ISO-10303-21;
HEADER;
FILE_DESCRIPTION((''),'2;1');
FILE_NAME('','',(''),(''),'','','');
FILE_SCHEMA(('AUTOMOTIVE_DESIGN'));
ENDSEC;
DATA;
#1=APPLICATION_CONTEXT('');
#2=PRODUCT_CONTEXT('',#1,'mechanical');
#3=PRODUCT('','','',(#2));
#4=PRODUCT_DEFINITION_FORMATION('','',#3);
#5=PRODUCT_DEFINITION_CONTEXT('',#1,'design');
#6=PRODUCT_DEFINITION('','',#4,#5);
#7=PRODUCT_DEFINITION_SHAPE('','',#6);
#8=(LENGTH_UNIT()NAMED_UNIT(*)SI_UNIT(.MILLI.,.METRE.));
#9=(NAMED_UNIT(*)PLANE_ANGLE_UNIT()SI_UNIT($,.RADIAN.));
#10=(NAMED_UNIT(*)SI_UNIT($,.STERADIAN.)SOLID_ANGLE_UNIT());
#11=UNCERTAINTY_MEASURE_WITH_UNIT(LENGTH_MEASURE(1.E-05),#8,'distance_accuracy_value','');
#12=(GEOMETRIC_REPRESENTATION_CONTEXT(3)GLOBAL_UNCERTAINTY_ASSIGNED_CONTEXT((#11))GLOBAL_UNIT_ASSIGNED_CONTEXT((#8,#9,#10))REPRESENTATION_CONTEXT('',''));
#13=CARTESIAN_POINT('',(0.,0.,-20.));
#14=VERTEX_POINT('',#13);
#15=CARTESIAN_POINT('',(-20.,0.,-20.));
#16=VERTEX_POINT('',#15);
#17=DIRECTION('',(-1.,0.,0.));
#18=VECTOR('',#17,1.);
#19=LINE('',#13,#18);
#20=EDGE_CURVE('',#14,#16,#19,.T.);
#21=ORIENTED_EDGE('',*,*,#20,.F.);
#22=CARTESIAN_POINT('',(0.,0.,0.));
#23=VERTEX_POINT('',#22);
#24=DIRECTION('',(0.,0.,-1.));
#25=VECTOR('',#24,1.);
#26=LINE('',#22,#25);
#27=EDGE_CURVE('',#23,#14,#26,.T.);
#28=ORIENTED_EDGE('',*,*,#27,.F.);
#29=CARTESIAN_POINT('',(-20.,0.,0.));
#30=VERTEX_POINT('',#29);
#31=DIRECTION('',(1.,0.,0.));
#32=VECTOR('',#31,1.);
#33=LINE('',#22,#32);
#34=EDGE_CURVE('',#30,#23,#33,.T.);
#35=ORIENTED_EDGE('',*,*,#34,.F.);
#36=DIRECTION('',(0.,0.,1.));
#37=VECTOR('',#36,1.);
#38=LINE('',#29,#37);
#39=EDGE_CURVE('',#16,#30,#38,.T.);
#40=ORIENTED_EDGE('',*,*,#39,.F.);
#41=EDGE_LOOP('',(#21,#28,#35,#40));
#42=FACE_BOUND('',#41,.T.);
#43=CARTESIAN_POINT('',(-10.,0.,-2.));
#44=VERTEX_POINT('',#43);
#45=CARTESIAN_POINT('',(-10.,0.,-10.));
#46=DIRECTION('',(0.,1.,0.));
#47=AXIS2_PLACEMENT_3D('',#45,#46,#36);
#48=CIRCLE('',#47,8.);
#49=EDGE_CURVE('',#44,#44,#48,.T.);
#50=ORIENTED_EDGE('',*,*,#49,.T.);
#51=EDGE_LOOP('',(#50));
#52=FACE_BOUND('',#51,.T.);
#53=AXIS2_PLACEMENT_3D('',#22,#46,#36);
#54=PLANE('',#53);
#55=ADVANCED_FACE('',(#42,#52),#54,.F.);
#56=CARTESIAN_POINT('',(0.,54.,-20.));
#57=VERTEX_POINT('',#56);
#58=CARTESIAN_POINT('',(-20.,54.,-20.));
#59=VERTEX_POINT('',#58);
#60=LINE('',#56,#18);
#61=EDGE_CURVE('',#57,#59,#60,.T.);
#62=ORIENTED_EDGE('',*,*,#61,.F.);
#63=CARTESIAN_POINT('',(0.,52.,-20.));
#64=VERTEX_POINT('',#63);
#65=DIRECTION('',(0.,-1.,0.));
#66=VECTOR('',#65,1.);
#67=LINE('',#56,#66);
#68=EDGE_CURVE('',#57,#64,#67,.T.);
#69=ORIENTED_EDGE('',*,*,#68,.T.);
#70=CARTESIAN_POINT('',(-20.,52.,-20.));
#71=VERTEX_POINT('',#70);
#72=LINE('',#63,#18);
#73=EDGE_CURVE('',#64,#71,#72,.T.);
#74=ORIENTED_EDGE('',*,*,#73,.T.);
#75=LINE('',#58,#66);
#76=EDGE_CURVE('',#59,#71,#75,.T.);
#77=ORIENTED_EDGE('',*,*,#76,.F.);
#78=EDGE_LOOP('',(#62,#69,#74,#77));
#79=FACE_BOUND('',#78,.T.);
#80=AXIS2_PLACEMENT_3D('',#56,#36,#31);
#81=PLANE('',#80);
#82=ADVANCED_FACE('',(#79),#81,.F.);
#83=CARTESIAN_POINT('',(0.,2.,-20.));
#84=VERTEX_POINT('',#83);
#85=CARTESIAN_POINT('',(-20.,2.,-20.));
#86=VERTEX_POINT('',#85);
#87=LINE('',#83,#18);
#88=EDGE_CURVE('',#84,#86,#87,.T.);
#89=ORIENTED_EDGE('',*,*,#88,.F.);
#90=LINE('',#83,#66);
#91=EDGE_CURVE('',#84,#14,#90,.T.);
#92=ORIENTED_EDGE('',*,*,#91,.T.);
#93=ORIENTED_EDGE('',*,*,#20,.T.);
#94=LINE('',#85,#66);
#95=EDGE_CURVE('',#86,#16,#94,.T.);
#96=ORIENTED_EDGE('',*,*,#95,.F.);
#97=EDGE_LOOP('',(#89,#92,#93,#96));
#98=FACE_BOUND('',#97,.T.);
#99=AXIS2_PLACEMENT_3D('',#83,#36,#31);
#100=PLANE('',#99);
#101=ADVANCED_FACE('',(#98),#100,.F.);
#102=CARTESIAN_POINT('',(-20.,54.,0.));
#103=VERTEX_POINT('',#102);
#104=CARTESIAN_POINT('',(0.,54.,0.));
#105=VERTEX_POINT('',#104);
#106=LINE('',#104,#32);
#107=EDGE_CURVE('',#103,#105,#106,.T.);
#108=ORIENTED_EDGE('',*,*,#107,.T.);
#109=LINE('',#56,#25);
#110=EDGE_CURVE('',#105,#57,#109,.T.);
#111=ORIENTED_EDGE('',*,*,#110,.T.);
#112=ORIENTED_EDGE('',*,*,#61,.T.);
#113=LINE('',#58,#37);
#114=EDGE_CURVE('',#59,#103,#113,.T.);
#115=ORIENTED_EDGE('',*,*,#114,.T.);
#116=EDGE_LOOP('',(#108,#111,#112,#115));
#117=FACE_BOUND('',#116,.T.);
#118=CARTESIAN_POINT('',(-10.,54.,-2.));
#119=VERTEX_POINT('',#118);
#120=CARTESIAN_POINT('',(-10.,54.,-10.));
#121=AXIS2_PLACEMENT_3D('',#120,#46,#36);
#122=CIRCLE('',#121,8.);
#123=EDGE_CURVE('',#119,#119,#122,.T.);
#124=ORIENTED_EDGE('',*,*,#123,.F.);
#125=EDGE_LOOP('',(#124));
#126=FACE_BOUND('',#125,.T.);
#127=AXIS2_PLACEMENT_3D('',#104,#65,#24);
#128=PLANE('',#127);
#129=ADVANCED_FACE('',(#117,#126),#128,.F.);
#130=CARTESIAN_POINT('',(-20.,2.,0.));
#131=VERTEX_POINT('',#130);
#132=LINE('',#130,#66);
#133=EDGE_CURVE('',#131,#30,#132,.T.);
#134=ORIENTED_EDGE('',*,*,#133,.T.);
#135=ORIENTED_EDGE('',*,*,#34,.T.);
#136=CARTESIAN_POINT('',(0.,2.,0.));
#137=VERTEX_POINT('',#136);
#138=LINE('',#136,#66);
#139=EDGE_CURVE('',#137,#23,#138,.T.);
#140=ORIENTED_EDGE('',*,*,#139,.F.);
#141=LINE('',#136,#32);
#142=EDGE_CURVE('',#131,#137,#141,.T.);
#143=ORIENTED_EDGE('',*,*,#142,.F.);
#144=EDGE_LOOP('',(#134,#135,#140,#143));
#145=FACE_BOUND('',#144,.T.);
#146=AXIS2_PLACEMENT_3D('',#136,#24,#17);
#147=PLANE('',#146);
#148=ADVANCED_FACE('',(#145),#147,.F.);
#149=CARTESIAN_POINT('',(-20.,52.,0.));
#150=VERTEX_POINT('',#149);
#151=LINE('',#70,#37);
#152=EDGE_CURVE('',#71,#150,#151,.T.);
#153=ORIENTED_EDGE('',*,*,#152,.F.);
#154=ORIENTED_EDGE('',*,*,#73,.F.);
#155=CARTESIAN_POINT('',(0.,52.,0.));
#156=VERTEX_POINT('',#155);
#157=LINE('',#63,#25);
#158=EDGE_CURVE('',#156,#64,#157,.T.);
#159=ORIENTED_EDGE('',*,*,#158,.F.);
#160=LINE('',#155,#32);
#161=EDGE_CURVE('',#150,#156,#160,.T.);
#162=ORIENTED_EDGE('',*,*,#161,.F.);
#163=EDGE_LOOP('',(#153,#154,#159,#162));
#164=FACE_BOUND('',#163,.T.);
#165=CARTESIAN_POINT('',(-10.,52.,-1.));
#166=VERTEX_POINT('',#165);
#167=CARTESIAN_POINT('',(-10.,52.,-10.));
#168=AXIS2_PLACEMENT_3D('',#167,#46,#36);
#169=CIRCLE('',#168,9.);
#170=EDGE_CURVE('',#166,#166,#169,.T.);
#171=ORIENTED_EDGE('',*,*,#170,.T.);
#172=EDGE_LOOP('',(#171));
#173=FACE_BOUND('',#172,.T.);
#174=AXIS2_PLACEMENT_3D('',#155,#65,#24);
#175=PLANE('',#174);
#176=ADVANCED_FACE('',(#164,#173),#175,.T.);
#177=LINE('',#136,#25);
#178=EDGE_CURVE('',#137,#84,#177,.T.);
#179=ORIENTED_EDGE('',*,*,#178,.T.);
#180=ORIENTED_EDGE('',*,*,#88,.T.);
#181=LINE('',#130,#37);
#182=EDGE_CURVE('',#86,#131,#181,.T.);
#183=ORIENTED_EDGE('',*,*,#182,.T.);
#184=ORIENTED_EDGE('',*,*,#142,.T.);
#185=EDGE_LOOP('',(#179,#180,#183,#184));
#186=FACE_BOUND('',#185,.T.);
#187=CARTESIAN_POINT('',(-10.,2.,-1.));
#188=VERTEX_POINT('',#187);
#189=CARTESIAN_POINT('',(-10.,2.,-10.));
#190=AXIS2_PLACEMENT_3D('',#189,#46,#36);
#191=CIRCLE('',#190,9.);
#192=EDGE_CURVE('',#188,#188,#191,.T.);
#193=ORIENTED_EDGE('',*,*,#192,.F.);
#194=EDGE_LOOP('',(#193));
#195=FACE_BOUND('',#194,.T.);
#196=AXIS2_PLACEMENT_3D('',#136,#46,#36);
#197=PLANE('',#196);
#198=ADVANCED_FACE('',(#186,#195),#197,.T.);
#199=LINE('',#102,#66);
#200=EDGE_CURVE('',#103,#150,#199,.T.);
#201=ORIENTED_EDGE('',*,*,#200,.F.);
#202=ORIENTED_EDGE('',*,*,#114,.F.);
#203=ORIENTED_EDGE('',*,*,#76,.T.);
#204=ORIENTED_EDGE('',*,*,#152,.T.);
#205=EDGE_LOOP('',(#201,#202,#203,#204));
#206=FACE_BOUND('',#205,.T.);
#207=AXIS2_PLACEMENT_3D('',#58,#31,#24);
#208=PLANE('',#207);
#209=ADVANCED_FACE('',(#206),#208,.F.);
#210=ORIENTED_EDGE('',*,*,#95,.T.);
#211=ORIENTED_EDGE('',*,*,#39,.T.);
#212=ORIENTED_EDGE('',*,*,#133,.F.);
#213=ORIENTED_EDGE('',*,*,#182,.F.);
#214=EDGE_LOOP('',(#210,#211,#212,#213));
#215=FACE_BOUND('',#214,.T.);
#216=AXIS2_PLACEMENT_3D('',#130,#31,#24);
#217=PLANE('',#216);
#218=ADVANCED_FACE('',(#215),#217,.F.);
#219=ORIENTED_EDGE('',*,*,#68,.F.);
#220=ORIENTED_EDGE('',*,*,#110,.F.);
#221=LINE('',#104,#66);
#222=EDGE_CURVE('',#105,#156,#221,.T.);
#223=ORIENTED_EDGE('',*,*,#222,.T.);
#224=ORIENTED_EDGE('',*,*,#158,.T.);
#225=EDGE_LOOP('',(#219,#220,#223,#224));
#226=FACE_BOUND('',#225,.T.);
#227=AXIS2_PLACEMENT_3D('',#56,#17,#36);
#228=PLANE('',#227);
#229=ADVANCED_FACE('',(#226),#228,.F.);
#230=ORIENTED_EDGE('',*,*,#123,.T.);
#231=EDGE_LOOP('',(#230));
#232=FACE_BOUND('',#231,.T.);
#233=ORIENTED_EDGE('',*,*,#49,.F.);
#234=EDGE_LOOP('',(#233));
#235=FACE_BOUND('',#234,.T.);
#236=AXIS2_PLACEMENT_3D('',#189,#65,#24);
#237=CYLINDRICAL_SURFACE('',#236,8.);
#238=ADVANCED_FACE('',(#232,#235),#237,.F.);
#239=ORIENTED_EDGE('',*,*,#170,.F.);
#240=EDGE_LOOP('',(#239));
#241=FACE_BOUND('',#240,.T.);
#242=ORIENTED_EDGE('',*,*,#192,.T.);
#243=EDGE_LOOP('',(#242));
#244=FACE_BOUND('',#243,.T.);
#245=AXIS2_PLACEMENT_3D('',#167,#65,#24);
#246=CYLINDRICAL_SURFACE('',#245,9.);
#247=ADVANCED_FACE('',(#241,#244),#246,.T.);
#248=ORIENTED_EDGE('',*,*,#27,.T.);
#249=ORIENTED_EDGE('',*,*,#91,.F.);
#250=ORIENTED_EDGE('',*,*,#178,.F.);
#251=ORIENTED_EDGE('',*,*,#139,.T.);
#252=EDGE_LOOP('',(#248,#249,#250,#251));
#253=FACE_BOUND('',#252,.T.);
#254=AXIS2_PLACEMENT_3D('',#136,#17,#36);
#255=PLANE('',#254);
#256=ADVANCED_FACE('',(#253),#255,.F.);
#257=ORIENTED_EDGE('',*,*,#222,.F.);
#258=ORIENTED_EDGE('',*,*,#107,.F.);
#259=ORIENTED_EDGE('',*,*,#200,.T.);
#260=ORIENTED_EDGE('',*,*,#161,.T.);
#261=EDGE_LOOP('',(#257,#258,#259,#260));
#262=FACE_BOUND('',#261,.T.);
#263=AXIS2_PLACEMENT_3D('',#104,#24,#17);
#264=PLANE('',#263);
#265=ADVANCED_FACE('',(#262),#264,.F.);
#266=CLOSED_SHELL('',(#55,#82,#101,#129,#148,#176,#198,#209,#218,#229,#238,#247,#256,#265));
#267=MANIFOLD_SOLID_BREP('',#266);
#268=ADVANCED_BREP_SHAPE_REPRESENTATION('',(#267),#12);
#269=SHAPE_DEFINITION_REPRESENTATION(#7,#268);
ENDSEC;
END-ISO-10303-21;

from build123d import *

# Parameters (mm, degrees)
SKETCH1_W           = 20
SKETCH1_H           = 20
SKETCH1_R           = 8
BOSS_EXTRUDE1_DEPTH = 2
SKETCH2_R           = 9
SKETCH2_R_2         = 8
BOSS_EXTRUDE3_DEPTH = 50
SKETCH3_W           = 20
SKETCH3_H           = 20
SKETCH3_R           = 8
BOSS_EXTRUDE5_DEPTH = 2


with BuildPart() as part:
    # Sketch1 → Boss-Extrude1 (new body)
    with BuildSketch(Plane(origin=(0, 0, 0), x_dir=(1, 0, 0), z_dir=(0, 1, 0))):
        with Locations((-10, 10)):
            Rectangle(SKETCH1_W, SKETCH1_H)
        with Locations(Location((-10, 10, 0), (0, 0, 270))):
            Circle(SKETCH1_R, mode=Mode.SUBTRACT)
    extrude(amount=BOSS_EXTRUDE1_DEPTH)

    # Sketch2 → Boss-Extrude3 (add)
    with BuildSketch(Plane(origin=(0, 2, 0), x_dir=(1, 0, 0), z_dir=(0, 1, 0))):
        with Locations(Location((-10, 10, 0), (0, 0, 270))):
            Circle(SKETCH2_R)
        with Locations(Location((-10, 10, 0), (0, 0, 270))):
            Circle(SKETCH2_R_2, mode=Mode.SUBTRACT)
    extrude(amount=BOSS_EXTRUDE3_DEPTH)

    # Sketch3 → Boss-Extrude5 (add)
    with BuildSketch(Plane(origin=(0, 52, 0), x_dir=(1, 0, 0), z_dir=(0, 1, 0))):
        with Locations((-10, 10)):
            Rectangle(SKETCH3_W, SKETCH3_H)
        with Locations(Location((-10, 10, 0), (0, 0, 270))):
            Circle(SKETCH3_R, mode=Mode.SUBTRACT)
    extrude(amount=BOSS_EXTRUDE5_DEPTH)


solid = part.part
